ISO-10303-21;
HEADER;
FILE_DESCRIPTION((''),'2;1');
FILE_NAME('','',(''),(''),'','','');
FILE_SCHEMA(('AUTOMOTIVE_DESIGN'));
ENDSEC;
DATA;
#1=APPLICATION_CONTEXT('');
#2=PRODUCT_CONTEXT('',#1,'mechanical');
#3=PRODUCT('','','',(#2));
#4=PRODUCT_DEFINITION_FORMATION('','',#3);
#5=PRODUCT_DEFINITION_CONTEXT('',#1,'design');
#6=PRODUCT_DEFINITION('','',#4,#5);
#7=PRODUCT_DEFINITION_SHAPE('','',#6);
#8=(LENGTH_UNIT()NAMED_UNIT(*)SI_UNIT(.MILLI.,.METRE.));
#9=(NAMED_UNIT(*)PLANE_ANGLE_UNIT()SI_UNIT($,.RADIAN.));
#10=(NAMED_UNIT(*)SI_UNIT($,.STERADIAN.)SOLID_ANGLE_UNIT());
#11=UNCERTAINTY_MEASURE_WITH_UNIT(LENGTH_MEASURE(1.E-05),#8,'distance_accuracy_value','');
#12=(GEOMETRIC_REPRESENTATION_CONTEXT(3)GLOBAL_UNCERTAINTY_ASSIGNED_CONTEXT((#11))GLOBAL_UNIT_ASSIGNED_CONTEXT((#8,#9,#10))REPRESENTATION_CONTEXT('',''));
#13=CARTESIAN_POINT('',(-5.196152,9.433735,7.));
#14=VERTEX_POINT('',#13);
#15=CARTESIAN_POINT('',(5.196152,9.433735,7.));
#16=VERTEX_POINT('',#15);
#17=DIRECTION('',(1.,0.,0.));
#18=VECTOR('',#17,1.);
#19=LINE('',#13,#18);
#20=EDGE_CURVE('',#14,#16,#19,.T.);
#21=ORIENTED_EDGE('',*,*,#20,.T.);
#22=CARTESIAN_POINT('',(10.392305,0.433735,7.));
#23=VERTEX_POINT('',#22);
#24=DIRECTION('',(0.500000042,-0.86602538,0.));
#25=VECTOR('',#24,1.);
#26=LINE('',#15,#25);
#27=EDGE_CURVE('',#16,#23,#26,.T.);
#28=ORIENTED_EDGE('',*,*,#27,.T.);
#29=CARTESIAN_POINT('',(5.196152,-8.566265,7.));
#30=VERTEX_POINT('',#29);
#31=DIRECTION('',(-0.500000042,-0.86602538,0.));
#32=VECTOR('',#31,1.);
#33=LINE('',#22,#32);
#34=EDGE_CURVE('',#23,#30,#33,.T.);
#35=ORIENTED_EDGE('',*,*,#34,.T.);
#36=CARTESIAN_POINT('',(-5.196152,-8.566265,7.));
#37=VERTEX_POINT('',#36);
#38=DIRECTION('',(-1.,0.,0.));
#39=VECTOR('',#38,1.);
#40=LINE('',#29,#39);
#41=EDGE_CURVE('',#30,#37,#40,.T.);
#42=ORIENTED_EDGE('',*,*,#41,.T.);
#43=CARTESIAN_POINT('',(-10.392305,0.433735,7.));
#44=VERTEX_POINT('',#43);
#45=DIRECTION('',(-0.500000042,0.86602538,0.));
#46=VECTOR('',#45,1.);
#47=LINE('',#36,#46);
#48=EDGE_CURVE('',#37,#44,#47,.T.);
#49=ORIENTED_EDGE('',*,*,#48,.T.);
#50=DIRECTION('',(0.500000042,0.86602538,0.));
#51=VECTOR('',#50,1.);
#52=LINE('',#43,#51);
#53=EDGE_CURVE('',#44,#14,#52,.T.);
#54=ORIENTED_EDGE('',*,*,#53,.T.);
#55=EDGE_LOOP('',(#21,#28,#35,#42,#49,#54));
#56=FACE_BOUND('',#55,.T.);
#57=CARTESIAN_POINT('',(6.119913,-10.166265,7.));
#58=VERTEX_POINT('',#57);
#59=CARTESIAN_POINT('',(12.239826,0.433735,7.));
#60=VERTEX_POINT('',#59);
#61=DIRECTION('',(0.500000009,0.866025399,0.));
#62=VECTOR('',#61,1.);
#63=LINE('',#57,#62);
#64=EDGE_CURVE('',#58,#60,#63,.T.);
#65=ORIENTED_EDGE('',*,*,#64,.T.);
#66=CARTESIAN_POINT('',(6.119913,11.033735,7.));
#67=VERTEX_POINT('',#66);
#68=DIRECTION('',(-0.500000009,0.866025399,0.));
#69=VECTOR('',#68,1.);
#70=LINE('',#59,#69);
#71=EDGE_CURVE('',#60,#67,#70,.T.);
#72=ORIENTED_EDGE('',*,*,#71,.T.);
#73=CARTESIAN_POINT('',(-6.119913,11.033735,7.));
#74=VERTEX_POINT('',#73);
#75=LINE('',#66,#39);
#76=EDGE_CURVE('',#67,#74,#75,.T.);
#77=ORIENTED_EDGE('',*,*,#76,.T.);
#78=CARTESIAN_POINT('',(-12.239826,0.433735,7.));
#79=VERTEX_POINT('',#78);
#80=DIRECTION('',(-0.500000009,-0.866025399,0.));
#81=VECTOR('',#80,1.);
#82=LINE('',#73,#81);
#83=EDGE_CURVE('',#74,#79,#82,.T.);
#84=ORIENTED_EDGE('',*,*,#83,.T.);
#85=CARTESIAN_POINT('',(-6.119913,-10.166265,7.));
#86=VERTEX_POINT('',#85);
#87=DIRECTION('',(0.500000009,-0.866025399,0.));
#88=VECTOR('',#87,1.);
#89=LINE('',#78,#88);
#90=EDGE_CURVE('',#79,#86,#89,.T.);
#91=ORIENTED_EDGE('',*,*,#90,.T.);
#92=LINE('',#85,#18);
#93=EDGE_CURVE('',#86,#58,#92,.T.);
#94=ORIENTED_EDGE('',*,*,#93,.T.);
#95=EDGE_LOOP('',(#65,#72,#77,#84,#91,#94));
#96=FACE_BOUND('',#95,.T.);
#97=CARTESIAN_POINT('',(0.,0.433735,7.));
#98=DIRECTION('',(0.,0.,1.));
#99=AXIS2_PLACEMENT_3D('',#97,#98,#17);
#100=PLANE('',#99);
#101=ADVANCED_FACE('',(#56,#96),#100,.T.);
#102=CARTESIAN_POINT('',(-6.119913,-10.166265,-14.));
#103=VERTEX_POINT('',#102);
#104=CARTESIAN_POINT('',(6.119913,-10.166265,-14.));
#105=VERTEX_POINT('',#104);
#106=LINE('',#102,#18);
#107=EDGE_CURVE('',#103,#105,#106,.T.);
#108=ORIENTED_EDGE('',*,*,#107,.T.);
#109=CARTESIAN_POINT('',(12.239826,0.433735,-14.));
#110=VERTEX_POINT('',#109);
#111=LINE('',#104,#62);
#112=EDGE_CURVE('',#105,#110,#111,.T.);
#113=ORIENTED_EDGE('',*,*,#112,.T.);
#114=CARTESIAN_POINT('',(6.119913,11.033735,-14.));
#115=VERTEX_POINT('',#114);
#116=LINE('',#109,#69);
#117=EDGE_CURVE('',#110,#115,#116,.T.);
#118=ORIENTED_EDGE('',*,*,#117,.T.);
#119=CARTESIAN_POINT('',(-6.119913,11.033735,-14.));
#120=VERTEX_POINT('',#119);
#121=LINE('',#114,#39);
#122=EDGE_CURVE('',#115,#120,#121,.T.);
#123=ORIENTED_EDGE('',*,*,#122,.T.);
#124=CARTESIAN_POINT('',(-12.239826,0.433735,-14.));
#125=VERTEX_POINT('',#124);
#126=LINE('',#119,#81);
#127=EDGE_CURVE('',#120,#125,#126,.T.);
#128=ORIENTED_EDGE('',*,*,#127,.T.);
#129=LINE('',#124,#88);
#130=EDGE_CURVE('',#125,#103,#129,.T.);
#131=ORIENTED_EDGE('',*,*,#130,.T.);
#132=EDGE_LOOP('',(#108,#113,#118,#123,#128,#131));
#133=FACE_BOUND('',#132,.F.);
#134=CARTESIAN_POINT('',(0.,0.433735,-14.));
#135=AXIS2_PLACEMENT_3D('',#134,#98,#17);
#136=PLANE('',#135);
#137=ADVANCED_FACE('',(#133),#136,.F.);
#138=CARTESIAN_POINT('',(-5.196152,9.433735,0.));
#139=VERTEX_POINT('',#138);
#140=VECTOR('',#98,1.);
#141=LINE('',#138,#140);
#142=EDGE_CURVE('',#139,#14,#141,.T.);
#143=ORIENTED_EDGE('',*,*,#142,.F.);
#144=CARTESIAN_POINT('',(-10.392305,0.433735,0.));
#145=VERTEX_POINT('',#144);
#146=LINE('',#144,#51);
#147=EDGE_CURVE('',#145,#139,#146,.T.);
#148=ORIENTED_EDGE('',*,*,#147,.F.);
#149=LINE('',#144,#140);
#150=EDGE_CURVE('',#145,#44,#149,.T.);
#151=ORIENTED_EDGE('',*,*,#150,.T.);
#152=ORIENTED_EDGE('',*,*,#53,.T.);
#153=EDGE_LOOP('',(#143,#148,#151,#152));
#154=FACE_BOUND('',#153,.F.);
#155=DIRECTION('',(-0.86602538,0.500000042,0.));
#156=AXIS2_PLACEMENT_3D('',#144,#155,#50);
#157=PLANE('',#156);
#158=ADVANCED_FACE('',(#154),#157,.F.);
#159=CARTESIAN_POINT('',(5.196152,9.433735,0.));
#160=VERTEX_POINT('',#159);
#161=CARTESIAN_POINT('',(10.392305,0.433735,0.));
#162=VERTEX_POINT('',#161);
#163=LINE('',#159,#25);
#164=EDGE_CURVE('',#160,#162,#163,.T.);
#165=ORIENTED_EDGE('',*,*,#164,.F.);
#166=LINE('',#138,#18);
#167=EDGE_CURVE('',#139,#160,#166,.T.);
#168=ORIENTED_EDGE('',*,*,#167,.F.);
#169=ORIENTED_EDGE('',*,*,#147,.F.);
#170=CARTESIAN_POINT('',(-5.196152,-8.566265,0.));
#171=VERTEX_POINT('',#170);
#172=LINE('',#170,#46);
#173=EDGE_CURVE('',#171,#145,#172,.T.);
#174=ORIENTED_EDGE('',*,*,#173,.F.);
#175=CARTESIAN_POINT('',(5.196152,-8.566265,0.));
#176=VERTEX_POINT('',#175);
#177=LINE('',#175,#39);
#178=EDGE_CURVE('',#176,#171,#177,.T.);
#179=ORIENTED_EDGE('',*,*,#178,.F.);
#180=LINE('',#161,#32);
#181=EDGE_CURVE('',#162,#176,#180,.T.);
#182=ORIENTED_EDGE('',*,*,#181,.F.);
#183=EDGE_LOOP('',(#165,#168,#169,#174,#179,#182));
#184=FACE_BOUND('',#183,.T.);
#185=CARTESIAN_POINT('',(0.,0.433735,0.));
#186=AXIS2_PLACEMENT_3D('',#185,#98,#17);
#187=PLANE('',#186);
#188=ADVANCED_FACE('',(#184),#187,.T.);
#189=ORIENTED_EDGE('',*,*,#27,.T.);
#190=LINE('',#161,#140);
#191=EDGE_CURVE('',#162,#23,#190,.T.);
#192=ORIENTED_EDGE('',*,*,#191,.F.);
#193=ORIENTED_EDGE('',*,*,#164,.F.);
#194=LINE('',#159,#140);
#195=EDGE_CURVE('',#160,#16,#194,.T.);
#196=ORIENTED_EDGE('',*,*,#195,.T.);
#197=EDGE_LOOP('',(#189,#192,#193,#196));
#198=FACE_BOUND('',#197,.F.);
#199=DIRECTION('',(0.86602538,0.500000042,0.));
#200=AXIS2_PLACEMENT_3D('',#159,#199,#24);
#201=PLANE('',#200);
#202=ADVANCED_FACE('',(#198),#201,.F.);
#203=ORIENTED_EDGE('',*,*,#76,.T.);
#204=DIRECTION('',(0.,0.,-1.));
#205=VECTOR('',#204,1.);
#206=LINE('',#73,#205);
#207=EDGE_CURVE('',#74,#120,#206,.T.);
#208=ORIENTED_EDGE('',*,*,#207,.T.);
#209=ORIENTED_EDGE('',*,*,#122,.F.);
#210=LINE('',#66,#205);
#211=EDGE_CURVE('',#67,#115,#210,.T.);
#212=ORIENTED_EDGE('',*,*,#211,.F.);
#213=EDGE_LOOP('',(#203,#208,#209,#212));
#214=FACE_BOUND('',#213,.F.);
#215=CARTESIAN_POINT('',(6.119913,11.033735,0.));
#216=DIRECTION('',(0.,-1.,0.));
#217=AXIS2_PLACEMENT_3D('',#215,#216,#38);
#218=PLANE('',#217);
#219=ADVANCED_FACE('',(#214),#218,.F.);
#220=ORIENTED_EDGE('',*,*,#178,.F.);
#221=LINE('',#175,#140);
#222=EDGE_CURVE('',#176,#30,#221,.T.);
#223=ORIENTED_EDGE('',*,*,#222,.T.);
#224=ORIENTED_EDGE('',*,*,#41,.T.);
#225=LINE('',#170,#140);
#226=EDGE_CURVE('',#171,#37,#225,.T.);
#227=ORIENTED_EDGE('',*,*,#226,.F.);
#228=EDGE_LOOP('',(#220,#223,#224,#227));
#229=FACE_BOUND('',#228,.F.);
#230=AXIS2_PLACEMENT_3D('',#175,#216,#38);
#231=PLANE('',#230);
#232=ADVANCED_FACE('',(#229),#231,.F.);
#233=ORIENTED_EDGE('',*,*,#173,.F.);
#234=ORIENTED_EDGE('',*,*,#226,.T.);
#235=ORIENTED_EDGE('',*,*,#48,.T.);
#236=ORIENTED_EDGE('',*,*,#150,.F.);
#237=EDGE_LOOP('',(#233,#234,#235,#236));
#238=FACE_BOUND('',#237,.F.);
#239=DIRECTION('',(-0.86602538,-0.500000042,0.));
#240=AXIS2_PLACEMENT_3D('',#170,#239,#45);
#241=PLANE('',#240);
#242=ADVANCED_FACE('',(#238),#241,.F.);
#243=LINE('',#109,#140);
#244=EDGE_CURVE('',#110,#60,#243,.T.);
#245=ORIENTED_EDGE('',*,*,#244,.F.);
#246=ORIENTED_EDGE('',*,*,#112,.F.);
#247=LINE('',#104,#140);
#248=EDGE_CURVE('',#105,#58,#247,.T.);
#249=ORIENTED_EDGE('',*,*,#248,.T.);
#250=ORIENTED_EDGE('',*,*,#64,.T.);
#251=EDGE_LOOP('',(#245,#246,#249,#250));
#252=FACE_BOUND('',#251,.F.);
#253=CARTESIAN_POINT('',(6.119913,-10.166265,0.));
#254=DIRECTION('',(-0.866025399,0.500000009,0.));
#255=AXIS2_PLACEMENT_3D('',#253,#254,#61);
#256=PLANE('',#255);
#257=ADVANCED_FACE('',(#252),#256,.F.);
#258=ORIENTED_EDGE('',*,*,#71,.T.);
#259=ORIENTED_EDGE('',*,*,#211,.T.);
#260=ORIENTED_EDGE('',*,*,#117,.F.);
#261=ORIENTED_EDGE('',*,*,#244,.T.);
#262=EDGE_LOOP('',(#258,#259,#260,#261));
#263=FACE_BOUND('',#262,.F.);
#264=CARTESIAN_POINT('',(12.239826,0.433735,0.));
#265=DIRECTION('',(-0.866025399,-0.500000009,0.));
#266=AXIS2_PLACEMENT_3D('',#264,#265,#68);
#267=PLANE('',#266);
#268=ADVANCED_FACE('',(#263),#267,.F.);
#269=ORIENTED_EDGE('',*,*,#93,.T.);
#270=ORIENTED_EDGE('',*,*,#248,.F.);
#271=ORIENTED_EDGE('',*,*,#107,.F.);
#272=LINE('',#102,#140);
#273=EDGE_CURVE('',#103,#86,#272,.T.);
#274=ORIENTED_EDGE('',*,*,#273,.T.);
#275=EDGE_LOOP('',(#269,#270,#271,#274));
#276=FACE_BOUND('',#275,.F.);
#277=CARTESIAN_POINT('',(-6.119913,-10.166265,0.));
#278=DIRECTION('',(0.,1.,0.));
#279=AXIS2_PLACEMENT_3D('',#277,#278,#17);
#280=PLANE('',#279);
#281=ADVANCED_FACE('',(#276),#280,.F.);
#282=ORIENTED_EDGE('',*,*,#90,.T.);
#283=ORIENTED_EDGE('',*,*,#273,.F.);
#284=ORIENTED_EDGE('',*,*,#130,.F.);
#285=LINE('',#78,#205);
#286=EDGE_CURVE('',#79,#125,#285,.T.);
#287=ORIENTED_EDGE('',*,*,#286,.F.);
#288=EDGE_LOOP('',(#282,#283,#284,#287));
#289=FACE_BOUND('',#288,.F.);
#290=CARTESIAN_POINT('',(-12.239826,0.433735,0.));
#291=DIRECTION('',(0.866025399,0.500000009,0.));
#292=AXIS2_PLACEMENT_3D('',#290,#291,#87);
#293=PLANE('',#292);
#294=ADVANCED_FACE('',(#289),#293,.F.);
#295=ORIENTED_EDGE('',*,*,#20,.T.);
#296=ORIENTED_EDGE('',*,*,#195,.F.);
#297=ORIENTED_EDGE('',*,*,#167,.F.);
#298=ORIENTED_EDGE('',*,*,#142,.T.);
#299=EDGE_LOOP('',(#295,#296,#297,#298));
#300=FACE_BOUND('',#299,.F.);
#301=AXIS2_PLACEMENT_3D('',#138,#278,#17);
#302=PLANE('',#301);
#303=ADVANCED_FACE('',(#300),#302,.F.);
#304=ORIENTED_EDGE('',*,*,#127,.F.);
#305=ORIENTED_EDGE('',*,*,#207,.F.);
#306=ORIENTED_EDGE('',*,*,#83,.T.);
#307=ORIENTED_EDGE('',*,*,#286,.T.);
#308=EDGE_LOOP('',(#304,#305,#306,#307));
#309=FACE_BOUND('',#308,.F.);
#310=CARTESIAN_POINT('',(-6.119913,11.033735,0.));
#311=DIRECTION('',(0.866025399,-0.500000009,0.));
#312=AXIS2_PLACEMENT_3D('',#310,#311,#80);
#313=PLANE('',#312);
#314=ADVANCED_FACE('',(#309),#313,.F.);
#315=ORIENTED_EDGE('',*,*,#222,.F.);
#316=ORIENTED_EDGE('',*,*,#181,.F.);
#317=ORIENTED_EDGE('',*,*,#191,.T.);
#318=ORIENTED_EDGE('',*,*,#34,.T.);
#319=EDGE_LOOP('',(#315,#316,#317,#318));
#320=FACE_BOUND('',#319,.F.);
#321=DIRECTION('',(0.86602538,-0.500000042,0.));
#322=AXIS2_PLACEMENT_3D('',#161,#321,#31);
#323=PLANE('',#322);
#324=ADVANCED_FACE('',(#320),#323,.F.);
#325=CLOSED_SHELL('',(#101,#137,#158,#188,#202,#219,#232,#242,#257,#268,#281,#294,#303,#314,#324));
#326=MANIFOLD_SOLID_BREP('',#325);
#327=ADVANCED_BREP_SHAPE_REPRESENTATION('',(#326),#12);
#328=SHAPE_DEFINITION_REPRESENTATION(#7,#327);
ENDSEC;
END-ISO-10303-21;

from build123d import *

# Parameters (mm, degrees)
F1_DEPTH = 14
F2_DEPTH = 7


with BuildPart() as f1:
    # F0 (on Top) → F1 (new body)
    with BuildSketch(Plane.XY):
        Polygon((-12.239826, 0.433735), (-6.119913, -10.166265), (6.119913, -10.166265), (12.239826, 0.433735), (6.119913, 11.033735), (-6.119913, 11.033735), align=None)
        Polygon((10.392305, 0.433735), (5.196152, -8.566265), (-5.196152, -8.566265), (-10.392305, 0.433735), (-5.196152, 9.433735), (5.196152, 9.433735), align=None, mode=Mode.SUBTRACT)
        Polygon((-5.196152, -8.566265), (5.196152, -8.566265), (10.392305, 0.433735), (5.196152, 9.433735), (-5.196152, 9.433735), (-10.392305, 0.433735), align=None)
    extrude(amount=-F1_DEPTH)

    # F0 (on Top) → F2 (join)
    with BuildSketch(Plane.XY):
        Polygon((-12.239826, 0.433735), (-6.119913, -10.166265), (6.119913, -10.166265), (12.239826, 0.433735), (6.119913, 11.033735), (-6.119913, 11.033735), align=None)
        Polygon((10.392305, 0.433735), (5.196152, -8.566265), (-5.196152, -8.566265), (-10.392305, 0.433735), (-5.196152, 9.433735), (5.196152, 9.433735), align=None, mode=Mode.SUBTRACT)
    extrude(amount=F2_DEPTH)


solid = f1.part
